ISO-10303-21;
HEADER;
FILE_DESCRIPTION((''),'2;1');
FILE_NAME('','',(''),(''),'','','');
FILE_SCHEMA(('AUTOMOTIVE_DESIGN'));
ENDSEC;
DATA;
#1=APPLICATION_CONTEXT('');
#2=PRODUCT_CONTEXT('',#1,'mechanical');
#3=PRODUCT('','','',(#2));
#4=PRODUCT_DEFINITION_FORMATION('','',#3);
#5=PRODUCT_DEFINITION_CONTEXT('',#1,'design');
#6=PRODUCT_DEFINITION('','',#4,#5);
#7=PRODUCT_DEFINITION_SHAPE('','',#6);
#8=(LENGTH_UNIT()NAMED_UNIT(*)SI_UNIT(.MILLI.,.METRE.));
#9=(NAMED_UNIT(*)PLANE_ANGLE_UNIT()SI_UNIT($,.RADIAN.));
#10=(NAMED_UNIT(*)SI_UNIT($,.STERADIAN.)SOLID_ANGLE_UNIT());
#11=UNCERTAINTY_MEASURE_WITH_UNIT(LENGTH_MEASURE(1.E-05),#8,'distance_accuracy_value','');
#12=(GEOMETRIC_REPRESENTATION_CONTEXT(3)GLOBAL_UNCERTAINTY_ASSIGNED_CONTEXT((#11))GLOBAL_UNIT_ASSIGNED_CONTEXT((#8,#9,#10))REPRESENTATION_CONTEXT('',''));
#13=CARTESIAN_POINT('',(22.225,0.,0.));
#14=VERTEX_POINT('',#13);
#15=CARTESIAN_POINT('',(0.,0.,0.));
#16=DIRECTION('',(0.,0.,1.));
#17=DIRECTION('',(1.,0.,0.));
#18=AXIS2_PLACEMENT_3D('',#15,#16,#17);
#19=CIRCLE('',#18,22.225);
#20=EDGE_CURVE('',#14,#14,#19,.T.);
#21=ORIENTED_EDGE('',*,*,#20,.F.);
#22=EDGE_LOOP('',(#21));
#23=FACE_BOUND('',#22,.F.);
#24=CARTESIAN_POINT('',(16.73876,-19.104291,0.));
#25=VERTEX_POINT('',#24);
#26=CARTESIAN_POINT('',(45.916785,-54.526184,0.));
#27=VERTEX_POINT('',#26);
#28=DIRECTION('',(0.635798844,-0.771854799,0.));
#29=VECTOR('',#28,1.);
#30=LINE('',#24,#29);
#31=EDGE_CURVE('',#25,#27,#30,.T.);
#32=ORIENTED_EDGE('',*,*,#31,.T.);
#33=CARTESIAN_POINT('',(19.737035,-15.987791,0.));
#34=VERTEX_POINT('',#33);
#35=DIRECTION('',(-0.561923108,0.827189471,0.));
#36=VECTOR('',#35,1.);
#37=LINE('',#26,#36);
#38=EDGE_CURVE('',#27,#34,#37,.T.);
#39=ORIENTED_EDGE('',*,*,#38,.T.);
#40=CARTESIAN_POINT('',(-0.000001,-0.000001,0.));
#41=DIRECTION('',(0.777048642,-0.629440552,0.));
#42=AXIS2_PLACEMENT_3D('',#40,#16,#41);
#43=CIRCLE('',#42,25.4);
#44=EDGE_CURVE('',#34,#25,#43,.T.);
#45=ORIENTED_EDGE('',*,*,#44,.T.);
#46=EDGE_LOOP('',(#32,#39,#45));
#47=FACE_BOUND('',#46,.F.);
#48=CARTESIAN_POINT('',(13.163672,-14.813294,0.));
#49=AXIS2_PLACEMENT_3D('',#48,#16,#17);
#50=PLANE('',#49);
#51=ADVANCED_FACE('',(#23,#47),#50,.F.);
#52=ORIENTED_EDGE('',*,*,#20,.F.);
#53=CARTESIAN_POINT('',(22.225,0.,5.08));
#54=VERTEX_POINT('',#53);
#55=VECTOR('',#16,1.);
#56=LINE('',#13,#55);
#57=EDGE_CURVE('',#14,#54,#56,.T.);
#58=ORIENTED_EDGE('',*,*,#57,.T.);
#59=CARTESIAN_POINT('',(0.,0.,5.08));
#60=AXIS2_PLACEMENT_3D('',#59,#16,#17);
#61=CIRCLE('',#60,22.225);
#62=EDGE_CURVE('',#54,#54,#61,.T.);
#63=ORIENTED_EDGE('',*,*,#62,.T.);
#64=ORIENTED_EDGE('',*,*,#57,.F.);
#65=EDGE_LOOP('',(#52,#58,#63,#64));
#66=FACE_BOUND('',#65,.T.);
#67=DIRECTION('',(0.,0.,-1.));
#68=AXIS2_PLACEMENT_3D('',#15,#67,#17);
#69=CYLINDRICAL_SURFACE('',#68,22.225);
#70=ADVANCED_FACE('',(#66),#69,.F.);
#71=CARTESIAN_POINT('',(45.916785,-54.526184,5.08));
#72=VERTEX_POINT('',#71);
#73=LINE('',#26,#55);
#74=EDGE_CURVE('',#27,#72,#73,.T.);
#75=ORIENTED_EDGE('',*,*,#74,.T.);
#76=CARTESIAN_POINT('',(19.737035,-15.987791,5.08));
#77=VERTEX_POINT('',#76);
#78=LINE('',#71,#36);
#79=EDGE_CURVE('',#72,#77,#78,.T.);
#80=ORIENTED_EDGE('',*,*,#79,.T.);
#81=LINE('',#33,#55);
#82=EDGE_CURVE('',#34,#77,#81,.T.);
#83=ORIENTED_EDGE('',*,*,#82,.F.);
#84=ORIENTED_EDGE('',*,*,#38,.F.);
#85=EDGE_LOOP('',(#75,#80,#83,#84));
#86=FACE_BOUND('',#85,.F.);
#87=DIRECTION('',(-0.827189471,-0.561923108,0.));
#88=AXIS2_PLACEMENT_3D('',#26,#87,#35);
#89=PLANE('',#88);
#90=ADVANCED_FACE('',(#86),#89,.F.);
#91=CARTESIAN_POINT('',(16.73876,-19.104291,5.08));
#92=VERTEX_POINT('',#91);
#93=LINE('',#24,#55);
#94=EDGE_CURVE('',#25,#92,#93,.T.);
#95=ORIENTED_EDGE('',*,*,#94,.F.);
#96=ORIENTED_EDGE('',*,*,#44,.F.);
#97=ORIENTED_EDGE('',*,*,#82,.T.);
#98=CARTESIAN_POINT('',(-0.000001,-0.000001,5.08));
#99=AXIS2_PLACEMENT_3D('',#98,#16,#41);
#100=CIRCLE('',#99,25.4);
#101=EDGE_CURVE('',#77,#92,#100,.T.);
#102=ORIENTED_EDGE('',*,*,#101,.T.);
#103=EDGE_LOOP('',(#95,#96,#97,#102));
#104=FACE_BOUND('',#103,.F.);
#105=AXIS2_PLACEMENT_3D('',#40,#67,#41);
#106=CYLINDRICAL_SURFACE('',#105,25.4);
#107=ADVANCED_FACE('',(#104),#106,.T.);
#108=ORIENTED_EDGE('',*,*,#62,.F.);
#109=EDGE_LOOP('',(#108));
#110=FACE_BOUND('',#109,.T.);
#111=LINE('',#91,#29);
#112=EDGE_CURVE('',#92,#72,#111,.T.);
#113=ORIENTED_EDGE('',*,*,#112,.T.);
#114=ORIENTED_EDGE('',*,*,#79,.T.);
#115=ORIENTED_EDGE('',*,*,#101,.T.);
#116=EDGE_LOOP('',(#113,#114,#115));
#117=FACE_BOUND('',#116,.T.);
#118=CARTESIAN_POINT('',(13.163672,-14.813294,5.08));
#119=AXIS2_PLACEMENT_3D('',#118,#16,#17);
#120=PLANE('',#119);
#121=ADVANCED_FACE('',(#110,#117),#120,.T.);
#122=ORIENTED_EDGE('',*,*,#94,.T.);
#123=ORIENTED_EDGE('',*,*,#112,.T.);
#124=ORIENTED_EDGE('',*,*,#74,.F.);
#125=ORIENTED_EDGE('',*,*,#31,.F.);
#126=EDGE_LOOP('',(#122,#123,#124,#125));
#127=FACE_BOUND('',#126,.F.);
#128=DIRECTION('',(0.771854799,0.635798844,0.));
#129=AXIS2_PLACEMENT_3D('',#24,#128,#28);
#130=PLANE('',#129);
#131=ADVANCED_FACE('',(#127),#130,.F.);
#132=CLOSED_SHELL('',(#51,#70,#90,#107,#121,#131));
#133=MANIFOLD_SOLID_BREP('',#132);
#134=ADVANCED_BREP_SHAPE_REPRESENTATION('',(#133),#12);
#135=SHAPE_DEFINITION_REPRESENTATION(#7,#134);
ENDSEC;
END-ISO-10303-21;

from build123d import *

# Parameters (mm, degrees)
F0_R     = 22.225
F1_DEPTH = 5.08


with BuildPart() as f1:
    # F0 (on Top) → F1 (new body)
    with BuildSketch(Plane.XY):
        with BuildLine():
            Line((45.916785, -54.526184), (19.737035, -15.987791))
            ThreePointArc((19.737035, -15.987791), (-18.304345, 17.609968), (16.73876, -19.104291))
            Line((16.73876, -19.104291), (45.916785, -54.526184))
        make_face()
        Circle(F0_R, mode=Mode.SUBTRACT)
    extrude(amount=F1_DEPTH)


solid = f1.part
